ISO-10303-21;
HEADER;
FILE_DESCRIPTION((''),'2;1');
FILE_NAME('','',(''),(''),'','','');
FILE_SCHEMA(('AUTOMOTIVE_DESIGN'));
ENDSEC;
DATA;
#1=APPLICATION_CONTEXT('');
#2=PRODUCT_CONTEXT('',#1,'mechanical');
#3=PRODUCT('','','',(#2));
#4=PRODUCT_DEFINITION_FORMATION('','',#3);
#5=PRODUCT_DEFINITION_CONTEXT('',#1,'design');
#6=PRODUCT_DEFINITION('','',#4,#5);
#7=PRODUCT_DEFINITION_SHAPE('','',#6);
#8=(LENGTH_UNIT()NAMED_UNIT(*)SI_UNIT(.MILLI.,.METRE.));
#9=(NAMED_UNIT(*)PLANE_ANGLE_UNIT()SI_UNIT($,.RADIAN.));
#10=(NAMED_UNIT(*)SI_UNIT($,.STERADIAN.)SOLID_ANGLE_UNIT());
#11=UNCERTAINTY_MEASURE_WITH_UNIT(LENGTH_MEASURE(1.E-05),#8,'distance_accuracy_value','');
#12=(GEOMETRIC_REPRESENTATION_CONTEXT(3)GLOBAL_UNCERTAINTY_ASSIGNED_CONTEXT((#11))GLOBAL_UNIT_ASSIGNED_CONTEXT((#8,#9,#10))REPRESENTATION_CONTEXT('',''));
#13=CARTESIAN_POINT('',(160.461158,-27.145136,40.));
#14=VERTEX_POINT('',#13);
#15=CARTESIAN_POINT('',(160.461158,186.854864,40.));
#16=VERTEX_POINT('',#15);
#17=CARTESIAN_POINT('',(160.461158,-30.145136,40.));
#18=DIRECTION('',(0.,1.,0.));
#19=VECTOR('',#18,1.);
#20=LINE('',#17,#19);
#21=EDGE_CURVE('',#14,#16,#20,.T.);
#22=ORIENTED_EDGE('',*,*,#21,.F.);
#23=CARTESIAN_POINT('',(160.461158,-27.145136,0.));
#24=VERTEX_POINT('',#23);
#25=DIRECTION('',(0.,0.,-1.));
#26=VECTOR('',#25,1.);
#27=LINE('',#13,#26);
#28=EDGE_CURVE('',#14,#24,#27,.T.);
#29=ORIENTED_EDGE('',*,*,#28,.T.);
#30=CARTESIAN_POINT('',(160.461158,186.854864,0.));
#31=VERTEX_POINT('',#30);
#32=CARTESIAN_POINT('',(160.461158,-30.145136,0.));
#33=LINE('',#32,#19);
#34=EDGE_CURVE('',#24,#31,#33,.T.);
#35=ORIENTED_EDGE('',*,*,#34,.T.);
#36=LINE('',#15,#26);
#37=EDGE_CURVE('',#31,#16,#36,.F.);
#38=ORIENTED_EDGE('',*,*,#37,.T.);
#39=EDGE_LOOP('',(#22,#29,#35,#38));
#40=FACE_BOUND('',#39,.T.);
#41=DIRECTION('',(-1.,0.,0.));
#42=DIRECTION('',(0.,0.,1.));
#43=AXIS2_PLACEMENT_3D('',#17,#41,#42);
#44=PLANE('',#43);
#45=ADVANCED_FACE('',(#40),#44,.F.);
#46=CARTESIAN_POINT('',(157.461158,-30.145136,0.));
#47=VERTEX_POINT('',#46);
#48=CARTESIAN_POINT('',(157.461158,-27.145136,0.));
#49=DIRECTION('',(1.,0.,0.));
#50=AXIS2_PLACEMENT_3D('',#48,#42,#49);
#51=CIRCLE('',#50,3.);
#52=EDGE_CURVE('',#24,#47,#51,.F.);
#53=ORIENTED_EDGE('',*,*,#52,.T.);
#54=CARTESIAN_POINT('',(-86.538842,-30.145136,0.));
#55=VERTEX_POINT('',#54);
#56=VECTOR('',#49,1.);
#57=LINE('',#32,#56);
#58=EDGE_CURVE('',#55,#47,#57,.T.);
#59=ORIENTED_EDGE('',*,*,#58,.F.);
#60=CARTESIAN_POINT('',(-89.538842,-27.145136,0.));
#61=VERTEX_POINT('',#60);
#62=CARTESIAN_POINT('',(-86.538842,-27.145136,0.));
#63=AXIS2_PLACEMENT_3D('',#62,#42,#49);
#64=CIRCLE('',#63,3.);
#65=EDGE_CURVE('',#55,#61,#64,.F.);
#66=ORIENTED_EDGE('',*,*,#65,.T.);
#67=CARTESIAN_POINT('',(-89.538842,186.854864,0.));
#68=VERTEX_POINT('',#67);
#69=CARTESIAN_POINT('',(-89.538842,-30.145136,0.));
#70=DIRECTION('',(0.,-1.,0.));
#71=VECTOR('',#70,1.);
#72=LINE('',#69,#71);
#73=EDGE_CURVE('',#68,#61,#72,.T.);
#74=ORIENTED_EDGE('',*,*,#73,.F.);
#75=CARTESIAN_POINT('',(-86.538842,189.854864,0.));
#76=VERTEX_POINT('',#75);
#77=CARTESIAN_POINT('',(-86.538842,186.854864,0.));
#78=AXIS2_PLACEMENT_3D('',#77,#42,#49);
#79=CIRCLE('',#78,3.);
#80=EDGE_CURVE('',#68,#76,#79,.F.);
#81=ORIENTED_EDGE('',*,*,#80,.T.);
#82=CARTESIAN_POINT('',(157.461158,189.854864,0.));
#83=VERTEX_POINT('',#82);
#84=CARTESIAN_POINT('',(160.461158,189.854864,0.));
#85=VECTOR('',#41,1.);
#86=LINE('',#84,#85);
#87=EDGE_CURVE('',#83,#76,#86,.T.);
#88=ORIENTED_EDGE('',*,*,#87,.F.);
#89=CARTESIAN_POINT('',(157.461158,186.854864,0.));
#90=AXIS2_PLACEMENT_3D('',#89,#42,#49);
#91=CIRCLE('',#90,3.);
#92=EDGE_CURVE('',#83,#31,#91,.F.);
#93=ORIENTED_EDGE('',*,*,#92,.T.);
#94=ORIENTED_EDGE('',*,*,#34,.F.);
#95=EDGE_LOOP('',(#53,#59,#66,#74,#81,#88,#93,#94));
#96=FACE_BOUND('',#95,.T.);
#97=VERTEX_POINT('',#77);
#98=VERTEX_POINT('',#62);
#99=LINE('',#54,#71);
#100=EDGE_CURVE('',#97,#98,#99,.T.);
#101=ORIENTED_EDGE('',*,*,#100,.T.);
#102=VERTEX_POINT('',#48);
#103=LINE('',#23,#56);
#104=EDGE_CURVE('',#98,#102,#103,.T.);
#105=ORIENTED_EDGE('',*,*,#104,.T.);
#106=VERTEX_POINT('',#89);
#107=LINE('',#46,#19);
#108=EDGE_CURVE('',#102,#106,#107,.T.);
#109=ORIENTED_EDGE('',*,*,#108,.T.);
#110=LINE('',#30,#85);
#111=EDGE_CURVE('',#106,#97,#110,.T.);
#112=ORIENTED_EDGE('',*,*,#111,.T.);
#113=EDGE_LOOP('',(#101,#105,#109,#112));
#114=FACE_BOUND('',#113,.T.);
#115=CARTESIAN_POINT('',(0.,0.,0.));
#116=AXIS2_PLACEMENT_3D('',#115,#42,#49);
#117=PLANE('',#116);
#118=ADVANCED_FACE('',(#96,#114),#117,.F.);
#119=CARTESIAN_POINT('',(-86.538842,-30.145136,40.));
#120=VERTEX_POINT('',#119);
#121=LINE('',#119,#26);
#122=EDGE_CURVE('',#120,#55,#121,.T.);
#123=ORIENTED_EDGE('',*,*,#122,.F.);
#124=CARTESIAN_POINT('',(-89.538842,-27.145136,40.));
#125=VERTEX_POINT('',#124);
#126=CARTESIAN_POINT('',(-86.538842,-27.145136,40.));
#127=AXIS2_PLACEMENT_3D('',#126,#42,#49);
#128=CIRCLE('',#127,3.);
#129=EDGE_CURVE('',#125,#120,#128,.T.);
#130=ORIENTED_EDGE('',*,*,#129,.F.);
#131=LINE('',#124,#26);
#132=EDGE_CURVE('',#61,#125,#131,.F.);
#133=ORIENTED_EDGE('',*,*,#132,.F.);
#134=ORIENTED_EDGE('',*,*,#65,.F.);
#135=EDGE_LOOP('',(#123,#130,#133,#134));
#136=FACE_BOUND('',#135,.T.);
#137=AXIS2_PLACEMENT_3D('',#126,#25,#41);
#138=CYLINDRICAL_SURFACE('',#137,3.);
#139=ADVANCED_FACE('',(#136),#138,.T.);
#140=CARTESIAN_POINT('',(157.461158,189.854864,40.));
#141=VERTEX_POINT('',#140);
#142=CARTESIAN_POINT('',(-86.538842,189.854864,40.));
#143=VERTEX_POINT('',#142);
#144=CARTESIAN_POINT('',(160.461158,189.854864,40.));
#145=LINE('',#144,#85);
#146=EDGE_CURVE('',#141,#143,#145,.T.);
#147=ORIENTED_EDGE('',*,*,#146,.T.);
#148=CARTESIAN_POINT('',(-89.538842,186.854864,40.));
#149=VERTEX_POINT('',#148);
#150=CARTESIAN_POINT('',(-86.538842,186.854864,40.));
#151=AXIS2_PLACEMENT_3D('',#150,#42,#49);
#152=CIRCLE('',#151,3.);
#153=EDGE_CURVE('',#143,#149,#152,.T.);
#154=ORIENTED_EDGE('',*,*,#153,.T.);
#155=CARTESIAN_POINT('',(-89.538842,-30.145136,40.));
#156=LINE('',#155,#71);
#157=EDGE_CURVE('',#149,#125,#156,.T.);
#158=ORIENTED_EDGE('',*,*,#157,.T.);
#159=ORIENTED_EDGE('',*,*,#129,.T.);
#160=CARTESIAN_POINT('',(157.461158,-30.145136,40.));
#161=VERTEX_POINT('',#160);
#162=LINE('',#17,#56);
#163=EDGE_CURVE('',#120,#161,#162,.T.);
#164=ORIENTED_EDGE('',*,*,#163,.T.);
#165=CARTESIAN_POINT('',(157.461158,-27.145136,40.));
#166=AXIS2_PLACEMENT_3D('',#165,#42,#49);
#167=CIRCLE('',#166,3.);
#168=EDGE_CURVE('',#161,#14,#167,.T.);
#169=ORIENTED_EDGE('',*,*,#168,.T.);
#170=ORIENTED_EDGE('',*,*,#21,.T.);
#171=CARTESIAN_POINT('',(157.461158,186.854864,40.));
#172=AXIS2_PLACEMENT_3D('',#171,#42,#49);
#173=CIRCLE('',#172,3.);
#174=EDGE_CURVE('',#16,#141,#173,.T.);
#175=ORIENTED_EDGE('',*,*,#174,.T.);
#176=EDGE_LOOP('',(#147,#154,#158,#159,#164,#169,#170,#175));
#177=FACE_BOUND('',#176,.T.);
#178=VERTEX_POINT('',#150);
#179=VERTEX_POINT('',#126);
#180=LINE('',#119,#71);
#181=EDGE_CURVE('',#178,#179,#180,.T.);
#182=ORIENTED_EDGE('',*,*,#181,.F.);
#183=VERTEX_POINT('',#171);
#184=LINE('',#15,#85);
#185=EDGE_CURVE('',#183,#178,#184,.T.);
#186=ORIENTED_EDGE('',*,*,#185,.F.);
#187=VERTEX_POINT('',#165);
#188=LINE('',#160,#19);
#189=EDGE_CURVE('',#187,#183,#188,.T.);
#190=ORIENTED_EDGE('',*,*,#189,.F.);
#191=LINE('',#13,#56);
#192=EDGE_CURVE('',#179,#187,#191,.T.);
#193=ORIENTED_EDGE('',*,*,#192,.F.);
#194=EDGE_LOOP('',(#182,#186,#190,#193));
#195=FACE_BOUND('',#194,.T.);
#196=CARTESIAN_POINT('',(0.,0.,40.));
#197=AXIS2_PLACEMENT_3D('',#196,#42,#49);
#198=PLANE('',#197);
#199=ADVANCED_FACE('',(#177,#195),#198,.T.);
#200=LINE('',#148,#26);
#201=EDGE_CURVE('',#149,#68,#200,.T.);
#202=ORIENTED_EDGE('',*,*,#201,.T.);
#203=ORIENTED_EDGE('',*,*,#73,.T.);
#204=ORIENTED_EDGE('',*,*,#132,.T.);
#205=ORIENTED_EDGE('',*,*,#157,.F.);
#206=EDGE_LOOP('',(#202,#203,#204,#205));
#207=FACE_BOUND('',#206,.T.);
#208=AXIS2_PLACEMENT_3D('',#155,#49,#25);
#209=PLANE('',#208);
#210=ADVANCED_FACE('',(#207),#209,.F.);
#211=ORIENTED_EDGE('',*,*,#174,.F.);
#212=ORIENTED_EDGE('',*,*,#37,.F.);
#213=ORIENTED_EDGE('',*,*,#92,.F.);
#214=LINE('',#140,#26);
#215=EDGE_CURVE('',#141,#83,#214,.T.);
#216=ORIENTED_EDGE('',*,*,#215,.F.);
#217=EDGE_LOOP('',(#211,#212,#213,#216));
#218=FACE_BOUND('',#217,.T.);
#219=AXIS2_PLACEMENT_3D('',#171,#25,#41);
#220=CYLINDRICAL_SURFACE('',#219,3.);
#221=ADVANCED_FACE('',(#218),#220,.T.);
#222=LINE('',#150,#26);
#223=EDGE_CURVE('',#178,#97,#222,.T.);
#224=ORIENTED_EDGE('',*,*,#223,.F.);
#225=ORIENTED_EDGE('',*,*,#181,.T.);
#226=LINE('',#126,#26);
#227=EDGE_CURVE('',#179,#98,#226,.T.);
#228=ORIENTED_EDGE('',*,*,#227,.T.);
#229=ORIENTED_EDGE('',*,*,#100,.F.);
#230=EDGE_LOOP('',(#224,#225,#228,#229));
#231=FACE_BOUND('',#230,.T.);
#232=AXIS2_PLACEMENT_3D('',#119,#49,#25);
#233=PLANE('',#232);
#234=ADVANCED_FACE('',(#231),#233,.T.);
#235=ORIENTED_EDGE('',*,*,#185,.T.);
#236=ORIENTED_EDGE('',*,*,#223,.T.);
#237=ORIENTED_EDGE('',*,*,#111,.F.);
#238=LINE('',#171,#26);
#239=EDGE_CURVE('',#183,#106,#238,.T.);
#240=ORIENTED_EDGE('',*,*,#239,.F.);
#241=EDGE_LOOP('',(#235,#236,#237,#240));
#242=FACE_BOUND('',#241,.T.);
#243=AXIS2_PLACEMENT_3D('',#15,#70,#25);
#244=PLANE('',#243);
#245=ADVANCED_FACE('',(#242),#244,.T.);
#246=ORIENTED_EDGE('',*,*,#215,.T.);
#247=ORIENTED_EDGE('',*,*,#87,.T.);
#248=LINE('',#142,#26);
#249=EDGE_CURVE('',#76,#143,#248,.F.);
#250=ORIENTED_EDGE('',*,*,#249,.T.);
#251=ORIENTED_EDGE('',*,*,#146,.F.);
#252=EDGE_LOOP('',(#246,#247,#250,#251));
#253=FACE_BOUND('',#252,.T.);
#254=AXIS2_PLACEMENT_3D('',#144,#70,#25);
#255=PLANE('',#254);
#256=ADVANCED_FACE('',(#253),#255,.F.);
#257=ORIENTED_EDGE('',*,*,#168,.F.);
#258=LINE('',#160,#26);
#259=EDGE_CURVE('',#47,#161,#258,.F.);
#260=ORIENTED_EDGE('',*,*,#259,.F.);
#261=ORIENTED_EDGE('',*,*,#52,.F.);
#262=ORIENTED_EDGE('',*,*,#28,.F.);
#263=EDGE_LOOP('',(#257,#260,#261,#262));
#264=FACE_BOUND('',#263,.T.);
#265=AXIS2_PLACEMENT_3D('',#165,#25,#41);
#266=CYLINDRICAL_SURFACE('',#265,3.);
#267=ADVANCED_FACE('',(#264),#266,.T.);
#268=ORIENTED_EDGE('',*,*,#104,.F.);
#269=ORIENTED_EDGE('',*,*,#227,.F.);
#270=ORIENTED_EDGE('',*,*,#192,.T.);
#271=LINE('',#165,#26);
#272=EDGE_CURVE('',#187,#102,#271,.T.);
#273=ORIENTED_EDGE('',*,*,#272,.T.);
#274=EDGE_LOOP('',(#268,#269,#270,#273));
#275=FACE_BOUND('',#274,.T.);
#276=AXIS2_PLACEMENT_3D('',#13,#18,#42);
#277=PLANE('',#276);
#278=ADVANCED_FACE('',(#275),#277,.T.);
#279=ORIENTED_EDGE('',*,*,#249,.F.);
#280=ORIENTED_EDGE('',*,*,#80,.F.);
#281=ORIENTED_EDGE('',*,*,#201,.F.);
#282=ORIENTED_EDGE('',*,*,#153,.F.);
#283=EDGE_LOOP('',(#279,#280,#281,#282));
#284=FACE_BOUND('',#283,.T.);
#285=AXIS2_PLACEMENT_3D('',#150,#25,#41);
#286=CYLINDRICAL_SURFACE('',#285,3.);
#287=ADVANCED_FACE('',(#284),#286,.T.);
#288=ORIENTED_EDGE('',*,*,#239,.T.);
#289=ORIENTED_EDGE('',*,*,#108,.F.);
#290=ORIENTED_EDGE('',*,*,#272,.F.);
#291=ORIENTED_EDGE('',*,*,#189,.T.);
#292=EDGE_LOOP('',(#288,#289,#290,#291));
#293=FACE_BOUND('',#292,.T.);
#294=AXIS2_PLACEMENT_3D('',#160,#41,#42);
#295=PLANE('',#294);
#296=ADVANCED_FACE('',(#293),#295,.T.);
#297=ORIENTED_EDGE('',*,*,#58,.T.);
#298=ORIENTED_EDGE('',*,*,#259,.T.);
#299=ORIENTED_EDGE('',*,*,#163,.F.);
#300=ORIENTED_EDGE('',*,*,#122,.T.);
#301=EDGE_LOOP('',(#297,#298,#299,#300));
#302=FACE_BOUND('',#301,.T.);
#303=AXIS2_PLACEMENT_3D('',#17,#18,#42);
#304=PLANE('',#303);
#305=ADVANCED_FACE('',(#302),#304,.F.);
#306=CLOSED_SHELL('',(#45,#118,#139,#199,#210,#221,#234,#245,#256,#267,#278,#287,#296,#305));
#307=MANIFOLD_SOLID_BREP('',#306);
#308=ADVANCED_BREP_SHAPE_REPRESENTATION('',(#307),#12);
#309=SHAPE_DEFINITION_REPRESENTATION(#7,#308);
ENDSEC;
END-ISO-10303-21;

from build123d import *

# Parameters (mm, degrees)
SKETCH1_W           = 250
SKETCH1_H           = 220
SKETCH1_W_2         = 244
SKETCH1_H_2         = 214
EXTRUDE_THIN1_DEPTH = 40
FILLET1_R           = 3


with BuildPart() as part:
    # Sketch1 → Extrude-Thin1 (new body)
    with BuildSketch(Plane.XY):
        with Locations((35.461157826, 79.854863969)):
            Rectangle(SKETCH1_W, SKETCH1_H)
        with Locations((35.461157826, 79.854863969)):
            Rectangle(SKETCH1_W_2, SKETCH1_H_2, mode=Mode.SUBTRACT)
    extrude(amount=EXTRUDE_THIN1_DEPTH)

    # Fillet1
    fillet1_edges = [part.edges().sort_by_distance(p)[0] for p in [
        (160.461157826, -30.145136031, 20),
        (-89.538842174, -30.145136031, 20),
        (-89.538842174, 189.854863969, 20),
        (160.461157826, 189.854863969, 20),
    ]]
    fillet(fillet1_edges, radius=FILLET1_R)


solid = part.part
